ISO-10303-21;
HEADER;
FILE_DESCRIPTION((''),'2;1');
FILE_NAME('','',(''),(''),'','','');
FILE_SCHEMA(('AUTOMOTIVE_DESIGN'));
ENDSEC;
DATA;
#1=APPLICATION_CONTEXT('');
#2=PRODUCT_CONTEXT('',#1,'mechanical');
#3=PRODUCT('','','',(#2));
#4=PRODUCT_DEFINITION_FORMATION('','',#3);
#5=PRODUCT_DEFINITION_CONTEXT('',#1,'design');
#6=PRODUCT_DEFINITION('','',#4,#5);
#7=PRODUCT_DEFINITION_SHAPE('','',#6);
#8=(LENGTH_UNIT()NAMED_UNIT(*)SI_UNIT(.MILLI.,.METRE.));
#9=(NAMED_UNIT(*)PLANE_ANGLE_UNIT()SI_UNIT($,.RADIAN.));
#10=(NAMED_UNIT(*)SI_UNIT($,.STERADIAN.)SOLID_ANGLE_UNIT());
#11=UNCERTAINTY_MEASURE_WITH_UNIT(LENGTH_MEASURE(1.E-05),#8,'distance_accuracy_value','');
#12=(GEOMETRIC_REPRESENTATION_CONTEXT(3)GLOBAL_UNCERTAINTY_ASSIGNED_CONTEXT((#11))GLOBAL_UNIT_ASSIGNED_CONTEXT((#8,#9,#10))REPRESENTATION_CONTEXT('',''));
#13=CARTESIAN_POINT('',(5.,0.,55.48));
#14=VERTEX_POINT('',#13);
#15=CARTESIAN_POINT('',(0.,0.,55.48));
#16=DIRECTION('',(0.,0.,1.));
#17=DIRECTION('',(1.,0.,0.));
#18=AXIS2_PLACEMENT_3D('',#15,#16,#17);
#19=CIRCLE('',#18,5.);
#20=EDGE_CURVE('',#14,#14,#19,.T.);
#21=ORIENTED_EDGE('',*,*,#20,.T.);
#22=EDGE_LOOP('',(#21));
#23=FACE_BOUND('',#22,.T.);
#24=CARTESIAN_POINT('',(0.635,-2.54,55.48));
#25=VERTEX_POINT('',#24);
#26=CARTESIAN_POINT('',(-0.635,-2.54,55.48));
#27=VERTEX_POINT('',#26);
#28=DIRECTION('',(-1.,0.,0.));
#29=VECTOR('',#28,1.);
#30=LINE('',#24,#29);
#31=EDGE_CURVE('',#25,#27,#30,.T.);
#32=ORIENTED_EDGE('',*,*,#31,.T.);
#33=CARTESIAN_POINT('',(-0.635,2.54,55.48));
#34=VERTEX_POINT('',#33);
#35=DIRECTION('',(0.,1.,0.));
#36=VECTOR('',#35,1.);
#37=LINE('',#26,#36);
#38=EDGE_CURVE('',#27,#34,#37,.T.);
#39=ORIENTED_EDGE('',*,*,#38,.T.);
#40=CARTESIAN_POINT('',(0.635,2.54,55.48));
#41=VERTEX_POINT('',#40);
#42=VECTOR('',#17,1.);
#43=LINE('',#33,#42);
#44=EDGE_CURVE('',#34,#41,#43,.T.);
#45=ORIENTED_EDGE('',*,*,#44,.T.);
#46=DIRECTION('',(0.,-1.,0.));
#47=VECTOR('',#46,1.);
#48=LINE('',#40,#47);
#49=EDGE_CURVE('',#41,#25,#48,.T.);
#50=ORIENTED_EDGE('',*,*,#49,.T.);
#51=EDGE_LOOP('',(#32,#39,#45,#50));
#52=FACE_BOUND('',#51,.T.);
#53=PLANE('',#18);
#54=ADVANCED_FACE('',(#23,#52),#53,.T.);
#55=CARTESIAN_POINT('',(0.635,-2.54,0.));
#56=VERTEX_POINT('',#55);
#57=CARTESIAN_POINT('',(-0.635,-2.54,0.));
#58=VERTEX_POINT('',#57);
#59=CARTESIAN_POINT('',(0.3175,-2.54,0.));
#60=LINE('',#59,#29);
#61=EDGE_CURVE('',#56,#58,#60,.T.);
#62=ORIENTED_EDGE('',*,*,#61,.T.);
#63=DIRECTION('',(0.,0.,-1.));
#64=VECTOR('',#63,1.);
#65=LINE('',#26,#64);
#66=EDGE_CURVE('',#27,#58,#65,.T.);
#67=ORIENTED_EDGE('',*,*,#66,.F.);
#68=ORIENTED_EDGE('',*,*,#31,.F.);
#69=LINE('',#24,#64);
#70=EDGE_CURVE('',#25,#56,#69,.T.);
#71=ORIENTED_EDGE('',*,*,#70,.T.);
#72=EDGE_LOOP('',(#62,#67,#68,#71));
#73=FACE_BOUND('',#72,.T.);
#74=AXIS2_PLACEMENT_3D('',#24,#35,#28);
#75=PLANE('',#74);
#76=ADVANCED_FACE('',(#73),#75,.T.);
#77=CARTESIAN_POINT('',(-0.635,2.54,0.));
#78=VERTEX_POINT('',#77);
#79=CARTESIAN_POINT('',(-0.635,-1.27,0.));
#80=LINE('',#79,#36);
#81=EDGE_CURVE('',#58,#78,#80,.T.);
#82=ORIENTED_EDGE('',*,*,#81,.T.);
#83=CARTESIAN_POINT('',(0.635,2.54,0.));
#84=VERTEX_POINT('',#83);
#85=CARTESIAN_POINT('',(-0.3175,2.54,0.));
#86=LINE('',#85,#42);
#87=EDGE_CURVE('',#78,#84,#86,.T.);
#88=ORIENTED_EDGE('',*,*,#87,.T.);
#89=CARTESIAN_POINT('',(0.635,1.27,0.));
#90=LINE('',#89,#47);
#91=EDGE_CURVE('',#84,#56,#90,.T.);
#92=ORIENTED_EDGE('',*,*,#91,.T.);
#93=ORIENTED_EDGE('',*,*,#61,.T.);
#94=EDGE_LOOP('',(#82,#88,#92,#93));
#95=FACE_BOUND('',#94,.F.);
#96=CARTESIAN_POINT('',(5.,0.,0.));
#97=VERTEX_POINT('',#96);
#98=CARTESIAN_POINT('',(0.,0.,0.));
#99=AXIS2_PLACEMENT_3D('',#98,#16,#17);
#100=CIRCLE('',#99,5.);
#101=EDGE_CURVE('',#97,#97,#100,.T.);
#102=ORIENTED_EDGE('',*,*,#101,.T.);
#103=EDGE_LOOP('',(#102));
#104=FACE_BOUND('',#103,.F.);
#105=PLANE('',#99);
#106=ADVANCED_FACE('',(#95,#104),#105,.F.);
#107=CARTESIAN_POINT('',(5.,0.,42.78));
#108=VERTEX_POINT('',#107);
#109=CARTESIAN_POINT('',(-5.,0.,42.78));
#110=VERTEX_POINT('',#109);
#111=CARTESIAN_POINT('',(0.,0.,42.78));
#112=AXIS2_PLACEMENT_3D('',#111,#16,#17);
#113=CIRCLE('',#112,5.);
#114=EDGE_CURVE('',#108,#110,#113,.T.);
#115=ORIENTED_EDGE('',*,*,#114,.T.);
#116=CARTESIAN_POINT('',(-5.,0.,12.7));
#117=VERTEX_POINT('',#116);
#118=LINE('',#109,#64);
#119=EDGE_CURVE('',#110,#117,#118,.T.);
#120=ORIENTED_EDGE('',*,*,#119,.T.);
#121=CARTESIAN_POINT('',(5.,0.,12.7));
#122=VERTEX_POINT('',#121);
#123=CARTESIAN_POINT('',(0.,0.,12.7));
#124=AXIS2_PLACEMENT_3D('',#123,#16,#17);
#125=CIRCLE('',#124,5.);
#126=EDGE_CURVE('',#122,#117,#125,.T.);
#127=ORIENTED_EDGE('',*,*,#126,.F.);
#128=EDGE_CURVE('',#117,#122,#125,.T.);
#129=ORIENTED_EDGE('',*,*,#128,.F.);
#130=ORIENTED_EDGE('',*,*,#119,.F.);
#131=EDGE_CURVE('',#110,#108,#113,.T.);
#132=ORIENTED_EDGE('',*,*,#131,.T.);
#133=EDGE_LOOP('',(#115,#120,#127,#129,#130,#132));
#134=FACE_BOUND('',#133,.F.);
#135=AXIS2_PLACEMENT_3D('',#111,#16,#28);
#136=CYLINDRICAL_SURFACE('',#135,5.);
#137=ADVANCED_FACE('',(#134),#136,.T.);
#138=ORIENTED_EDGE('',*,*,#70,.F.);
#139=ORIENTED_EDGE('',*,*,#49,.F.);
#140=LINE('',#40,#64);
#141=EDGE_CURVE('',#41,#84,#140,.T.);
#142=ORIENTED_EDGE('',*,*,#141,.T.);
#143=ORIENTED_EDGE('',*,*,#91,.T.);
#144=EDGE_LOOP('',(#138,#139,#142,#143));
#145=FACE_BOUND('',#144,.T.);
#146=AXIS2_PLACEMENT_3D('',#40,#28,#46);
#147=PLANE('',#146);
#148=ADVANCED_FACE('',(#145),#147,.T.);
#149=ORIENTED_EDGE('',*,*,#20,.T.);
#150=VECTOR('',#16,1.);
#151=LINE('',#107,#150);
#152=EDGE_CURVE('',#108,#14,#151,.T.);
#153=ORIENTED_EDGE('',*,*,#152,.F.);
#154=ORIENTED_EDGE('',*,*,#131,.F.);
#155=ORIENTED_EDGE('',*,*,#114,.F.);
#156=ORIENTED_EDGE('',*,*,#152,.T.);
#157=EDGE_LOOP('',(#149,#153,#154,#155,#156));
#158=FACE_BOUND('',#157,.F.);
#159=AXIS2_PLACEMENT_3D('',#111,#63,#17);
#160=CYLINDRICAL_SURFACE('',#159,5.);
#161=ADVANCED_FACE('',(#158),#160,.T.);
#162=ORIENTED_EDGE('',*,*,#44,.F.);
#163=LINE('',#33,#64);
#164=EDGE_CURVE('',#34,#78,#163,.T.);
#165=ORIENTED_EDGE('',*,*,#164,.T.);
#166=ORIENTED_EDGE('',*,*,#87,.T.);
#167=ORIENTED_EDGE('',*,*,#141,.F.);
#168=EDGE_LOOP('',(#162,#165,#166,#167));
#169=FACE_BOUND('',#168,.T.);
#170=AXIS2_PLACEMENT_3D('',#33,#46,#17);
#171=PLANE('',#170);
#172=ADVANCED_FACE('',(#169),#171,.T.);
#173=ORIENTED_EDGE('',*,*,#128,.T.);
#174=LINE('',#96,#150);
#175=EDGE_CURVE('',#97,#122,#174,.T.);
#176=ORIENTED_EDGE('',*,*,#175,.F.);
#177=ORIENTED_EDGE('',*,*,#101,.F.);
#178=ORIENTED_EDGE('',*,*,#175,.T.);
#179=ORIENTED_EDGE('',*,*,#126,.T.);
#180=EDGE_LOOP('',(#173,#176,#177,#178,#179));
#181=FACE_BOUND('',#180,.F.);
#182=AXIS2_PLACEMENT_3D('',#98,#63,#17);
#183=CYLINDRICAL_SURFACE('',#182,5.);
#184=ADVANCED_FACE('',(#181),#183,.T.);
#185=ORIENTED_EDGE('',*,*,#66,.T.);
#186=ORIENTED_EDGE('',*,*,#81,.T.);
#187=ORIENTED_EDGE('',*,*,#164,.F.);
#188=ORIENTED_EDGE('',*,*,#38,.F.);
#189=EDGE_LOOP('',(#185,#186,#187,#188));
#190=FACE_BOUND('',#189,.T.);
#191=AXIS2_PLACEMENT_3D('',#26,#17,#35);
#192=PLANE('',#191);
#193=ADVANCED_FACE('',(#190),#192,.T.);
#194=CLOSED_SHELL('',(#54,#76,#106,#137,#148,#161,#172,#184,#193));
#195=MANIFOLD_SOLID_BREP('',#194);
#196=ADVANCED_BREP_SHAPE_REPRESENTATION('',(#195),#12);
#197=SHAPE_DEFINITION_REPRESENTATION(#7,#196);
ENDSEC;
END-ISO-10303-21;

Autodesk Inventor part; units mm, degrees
ref_plane "YZ Plane" through (0, 0, 0) normal (1, 0, 0) x (0, 1, 0)
ref_plane "XZ Plane" through (0, 0, 0) normal (0, 1, 0) x (-1, 0, 0)
sketch "Sketch1" plane through (0, 0, 0) normal (0, 0, 1) x (1, 0, 0)
  circle A0 centre (0, 0) radius 5
  dimension "d0" = 10
extrude "Extrusion1" add sketch "Sketch1" along normal blind 12.7
sketch "Sketch2" plane through (0, 0, 12.7) normal (0, 0, 1) x (1, 0, 0)
  point P0 (0, 0)
thread "Thread1" size "7/16-14 UNC" class "2A" standard "ANSI Unified Screw Threads" length 12.7
ref_plane "Work Plane1" through (0, 0, 42.78) normal (0, 0, 1) x (1, 0, 0)
sketch "Sketch3" plane through (0, 0, 42.78) normal (0, 0, 1) x (1, 0, 0)
  circle A0 centre (0, 0) radius 5 projected
extrude "Extrusion2" add sketch "Sketch3" along normal blind 12.7
thread "Thread2" size "7/16-14 UNC" class "2A" standard "ANSI Unified Screw Threads" length 12.7
sketch "Sketch4" plane through (0, 0, 42.78) normal (0, 0, -1) x (-1, 0, 0)
  circle A0 centre (0, 0) radius 5
extrude "Extrusion3" add sketch "Sketch4" along normal blind 30.08
sketch "Sketch5" plane through (0, 0, 55.48) normal (0, 0, 1) x (1, 0, 0)
  line L0 (-0.635, 2.54) -> (0.635, 2.54)
  line L1 (0.635, 2.54) -> (0.635, -2.54)
  line L2 (0.635, -2.54) -> (-0.635, -2.54)
  line L3 (-0.635, -2.54) -> (-0.635, 2.54)
  line L4 (-0.635, 2.54) -> (0.635, -2.54) construction
  line L5 (0.635, 2.54) -> (-0.635, -2.54) construction
  point P0 (0, 0)
  dimension "d15" = 1.27
  dimension "d16" = 5.08
extrude "Extrusion4" cut sketch "Sketch5" against normal through all
properties part number "Pedal Axle"
